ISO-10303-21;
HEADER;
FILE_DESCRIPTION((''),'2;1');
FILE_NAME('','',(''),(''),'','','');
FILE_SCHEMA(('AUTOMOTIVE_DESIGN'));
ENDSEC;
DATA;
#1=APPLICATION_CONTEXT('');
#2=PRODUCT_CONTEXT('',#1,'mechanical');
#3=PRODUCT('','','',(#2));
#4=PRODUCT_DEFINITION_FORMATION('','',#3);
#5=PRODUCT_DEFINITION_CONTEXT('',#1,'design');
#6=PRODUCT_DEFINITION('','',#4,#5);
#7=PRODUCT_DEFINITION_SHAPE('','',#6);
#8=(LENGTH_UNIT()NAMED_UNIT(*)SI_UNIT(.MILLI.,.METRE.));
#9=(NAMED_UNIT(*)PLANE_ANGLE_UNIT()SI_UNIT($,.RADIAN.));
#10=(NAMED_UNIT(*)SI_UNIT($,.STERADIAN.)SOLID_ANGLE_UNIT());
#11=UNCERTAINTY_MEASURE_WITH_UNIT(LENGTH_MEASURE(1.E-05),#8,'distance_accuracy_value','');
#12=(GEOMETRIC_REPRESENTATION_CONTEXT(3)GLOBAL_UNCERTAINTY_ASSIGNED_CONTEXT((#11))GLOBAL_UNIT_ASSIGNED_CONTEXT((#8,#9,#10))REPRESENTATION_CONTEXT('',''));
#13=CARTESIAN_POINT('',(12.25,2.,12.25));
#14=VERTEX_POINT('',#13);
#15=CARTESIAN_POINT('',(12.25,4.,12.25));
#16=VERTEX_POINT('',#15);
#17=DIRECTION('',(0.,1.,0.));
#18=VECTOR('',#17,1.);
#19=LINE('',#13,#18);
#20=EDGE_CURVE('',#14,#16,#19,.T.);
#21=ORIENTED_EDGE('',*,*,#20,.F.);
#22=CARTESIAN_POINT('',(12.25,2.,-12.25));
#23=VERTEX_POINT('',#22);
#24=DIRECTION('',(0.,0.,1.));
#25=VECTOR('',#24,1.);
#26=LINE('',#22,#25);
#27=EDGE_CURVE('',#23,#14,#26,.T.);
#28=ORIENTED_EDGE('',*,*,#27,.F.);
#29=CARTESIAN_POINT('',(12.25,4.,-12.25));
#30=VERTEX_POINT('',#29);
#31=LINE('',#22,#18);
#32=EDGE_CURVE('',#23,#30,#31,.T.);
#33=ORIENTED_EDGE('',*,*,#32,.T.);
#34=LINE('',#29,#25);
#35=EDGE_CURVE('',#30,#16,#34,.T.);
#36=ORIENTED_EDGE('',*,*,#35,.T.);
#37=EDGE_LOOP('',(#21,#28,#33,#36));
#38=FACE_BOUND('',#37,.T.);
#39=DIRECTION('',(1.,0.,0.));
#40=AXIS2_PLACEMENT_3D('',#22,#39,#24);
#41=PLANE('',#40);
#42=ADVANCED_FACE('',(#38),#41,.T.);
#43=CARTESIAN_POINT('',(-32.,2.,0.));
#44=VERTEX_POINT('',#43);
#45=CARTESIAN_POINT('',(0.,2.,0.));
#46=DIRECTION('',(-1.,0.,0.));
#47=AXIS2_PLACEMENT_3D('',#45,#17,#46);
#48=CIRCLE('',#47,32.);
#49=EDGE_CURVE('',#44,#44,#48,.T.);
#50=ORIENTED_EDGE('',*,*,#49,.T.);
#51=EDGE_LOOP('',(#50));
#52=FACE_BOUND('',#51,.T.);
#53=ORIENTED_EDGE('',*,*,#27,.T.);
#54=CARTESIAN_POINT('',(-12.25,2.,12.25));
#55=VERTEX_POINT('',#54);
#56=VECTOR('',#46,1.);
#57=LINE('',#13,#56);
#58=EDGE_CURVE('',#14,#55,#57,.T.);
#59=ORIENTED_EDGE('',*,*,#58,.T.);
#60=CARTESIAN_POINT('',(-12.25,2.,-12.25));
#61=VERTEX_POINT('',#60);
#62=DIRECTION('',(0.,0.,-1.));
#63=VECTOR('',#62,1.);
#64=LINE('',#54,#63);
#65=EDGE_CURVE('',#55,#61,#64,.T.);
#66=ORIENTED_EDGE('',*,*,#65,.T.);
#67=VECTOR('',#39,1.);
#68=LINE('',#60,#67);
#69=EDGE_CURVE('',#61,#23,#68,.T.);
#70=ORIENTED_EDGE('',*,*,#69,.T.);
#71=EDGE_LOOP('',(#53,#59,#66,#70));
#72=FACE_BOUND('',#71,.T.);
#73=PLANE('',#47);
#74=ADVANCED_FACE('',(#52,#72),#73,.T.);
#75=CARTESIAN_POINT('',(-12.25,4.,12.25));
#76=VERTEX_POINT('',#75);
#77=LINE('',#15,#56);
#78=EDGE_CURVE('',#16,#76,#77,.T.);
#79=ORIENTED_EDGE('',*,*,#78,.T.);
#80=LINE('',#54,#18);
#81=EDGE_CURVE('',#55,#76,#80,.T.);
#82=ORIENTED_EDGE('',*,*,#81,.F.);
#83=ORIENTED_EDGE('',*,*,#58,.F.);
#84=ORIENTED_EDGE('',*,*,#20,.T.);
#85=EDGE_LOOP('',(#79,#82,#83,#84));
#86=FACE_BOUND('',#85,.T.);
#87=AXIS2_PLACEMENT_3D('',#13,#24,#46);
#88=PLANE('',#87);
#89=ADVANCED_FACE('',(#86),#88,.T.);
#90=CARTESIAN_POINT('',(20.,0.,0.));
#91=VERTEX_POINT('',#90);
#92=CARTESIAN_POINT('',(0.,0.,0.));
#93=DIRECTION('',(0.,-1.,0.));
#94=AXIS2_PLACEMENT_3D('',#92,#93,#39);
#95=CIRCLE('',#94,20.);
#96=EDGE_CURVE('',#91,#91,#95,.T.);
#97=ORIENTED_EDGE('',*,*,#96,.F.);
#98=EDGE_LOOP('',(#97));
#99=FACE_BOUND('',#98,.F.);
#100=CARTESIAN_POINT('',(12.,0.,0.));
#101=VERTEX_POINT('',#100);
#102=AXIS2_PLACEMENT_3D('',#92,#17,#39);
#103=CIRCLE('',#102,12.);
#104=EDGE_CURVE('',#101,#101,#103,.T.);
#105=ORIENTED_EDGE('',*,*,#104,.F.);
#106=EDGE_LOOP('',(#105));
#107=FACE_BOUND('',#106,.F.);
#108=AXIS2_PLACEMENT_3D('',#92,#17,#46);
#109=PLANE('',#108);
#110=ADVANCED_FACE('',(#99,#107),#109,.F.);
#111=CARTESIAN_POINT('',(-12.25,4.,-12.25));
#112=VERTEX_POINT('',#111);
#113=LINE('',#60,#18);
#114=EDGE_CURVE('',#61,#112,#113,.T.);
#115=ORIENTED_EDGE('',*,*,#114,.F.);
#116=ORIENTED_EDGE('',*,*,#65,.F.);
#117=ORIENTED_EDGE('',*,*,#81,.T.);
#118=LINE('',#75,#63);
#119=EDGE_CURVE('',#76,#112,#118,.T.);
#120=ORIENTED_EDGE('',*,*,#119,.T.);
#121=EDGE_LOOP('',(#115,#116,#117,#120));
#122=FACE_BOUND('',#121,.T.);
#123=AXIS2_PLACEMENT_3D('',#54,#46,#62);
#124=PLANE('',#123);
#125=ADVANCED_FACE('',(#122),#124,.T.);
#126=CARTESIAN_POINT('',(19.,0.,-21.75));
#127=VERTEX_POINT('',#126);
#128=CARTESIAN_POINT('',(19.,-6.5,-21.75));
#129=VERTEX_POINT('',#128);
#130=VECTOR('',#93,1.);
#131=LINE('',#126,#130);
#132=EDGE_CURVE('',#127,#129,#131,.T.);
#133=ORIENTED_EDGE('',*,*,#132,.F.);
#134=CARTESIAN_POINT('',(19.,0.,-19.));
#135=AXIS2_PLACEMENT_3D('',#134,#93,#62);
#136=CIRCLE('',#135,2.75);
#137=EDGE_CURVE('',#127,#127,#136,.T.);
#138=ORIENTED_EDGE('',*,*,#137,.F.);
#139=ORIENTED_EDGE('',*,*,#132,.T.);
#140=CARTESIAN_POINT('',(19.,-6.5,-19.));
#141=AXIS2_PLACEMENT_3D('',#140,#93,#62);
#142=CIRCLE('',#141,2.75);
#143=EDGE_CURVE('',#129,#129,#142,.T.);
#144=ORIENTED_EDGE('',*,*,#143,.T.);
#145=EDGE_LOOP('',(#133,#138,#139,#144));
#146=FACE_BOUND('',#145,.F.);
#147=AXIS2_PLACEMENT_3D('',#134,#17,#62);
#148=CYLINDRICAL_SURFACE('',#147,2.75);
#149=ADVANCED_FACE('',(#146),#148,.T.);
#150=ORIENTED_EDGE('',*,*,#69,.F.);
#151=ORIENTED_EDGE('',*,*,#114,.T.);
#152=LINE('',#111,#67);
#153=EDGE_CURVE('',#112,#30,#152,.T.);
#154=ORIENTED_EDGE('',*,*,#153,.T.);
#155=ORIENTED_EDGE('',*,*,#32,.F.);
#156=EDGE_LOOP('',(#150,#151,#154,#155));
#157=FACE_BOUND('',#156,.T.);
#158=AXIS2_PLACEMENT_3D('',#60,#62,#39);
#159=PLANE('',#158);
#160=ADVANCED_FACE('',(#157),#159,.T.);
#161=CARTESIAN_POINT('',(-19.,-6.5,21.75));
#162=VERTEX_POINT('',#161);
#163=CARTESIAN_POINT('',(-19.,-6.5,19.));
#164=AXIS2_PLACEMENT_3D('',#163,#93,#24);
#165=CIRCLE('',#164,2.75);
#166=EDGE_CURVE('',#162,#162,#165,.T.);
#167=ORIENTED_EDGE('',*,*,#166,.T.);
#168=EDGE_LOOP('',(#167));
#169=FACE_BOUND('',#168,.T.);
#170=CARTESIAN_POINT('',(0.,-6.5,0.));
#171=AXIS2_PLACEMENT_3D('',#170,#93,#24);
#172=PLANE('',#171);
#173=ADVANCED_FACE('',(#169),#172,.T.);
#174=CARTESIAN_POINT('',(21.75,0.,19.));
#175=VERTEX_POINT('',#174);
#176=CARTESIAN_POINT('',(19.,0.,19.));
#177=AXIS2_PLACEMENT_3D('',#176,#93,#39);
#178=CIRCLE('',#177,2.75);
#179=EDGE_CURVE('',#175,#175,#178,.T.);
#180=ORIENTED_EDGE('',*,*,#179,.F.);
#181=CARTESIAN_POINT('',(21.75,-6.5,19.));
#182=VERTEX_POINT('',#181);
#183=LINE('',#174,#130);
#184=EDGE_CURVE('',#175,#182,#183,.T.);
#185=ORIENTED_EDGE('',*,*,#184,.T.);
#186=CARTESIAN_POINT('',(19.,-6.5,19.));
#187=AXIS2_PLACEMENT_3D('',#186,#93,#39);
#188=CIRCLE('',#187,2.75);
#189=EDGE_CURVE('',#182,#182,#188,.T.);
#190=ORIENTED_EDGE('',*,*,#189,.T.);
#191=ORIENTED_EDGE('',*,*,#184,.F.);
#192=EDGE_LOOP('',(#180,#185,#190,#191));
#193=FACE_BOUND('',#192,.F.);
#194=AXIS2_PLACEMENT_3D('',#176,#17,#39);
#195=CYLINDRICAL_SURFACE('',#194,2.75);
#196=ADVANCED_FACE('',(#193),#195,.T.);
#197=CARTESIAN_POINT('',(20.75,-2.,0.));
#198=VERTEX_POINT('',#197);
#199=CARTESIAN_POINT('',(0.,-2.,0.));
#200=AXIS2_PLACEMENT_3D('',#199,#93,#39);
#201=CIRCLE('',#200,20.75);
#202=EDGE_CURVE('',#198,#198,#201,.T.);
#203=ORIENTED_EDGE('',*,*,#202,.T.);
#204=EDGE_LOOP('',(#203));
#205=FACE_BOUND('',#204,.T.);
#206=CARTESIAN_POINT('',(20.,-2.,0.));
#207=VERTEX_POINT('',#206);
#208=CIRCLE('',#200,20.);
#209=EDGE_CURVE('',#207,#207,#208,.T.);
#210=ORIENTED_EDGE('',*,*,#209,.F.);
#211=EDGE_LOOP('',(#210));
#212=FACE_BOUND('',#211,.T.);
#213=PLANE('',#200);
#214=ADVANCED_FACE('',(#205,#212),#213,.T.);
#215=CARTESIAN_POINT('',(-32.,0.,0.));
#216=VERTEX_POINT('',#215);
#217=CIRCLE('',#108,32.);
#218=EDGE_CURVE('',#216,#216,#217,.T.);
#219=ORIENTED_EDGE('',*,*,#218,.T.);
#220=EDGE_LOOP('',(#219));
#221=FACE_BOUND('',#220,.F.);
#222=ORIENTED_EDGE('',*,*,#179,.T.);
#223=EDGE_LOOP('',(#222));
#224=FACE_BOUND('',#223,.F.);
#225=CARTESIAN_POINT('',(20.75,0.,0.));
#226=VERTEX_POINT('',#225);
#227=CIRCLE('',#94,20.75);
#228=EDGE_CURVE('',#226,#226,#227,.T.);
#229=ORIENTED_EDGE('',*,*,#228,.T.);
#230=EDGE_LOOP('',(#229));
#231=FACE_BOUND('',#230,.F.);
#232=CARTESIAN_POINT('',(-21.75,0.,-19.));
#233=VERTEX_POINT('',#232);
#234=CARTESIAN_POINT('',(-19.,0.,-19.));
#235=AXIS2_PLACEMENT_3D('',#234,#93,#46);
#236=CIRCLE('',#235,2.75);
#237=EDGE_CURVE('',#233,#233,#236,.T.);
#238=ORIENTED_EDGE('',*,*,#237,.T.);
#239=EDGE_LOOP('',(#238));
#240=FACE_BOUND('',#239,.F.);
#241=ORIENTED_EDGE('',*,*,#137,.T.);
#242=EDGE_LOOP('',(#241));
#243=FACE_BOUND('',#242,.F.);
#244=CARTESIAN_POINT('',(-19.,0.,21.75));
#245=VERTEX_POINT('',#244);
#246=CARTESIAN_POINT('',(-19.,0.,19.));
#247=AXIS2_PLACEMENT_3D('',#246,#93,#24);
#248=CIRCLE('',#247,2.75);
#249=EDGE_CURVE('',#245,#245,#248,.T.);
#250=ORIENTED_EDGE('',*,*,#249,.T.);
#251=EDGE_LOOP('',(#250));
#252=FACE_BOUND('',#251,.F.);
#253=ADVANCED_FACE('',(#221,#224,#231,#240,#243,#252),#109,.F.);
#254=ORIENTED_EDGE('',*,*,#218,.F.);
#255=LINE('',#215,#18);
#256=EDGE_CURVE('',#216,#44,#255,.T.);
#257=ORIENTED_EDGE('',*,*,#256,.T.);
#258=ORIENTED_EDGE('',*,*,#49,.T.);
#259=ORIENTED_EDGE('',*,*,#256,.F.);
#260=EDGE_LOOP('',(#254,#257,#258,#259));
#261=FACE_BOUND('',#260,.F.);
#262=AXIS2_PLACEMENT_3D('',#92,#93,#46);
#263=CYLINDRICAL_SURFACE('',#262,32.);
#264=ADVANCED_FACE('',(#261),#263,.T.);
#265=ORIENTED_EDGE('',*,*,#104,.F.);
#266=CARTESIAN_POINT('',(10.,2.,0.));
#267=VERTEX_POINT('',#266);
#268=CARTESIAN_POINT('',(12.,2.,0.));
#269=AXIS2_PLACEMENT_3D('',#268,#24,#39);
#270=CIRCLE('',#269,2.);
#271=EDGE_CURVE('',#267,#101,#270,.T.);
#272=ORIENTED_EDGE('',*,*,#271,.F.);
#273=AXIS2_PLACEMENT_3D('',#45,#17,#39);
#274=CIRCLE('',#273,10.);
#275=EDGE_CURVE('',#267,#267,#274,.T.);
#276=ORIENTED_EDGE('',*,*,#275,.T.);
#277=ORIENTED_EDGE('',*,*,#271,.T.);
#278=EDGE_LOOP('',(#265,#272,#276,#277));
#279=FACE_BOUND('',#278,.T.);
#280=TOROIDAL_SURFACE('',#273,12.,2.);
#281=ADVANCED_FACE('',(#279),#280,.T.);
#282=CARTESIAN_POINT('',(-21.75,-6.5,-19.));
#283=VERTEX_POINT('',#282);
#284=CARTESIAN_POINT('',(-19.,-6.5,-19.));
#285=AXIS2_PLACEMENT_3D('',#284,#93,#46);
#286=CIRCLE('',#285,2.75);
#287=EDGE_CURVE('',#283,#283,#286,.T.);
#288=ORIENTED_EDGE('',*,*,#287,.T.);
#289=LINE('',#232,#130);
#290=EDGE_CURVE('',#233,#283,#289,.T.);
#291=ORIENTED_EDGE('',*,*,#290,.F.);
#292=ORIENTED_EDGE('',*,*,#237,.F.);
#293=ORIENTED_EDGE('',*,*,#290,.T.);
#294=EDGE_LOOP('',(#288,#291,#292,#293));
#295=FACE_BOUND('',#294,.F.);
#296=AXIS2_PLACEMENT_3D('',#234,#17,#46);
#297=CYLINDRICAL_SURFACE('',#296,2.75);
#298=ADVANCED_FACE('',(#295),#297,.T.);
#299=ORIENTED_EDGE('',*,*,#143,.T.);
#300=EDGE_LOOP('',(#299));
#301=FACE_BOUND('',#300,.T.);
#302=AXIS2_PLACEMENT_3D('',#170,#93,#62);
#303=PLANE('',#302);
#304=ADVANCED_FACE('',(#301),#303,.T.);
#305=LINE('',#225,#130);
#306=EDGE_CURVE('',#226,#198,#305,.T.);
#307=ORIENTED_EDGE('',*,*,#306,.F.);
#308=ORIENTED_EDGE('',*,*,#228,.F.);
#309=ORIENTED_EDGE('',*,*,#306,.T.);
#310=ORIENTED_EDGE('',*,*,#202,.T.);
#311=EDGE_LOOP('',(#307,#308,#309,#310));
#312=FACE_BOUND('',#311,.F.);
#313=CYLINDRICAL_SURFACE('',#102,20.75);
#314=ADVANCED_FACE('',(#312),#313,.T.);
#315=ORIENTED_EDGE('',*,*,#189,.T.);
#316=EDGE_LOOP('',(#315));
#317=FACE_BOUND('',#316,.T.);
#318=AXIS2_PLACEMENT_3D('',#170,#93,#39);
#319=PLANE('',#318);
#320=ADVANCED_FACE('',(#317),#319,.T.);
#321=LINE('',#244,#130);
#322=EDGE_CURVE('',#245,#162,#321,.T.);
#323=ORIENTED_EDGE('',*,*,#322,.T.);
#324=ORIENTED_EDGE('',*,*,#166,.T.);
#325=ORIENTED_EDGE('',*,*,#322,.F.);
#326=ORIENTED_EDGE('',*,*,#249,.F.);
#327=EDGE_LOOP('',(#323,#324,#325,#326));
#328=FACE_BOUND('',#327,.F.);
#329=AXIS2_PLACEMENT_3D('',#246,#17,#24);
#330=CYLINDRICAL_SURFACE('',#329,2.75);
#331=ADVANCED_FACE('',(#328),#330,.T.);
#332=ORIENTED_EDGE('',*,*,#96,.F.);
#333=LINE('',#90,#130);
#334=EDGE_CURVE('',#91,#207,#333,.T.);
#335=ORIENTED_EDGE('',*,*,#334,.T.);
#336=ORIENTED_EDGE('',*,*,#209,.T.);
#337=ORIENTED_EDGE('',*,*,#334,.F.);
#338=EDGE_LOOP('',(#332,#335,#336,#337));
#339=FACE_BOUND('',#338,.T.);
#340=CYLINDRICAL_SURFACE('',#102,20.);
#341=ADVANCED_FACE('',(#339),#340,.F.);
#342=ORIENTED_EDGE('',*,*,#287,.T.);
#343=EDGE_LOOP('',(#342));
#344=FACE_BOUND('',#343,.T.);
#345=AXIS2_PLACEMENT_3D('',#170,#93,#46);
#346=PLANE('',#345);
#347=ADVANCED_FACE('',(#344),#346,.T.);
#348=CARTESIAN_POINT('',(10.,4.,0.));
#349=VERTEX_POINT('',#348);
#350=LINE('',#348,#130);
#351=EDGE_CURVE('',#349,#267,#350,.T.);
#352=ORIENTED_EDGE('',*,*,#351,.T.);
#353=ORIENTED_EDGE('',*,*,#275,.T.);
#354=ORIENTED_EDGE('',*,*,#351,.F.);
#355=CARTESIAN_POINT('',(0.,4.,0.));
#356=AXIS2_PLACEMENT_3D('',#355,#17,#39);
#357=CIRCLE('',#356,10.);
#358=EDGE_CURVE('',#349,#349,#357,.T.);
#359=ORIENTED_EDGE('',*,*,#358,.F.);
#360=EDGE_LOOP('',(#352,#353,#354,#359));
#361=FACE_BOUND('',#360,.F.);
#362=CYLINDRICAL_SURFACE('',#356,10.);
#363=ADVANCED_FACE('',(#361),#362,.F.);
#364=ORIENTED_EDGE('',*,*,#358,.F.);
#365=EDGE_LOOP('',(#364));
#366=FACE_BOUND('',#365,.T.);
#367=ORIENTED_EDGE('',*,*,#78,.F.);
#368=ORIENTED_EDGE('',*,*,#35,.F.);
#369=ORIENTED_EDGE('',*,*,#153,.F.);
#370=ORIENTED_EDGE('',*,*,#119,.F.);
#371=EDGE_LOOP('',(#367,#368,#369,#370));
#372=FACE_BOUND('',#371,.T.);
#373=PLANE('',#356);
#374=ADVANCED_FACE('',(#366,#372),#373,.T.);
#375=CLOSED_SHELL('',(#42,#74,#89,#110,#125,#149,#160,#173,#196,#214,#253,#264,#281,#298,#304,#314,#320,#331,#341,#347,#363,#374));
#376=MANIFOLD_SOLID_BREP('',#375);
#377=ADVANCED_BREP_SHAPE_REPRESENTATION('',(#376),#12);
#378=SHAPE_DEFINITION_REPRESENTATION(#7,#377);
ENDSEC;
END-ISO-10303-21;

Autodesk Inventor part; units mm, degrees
ref_plane "YZ Plane" through (0, 0, 0) normal (1, 0, 0) x (0, 1, 0)
ref_plane "XZ Plane" through (0, 0, 0) normal (0, 1, 0) x (-1, 0, 0)
ref_plane "XY Plane" through (0, 0, 0) normal (0, 0, 1) x (1, 0, 0)
sketch "Sketch1" plane through (0, 0, 0) normal (0, 1, 0) x (-1, 0, 0)
  circle A0 centre (0, 0) radius 32
  dimension "d0" = 64
extrude "Extrusion1" add sketch "Sketch1" along normal blind 2
sketch "Sketch2" plane through (0, 0, 0) normal (0, -1, 0) x (1, 0, 0)
  circle A0 centre (0, 0) radius 20.75
  circle A1 centre (0, 0) radius 20
  dimension "d3" = 41.5
  dimension "d4" = 40
extrude "Extrusion2" add sketch "Sketch2" along normal blind 2
sketch "Sketch4" plane through (0, 0, 0) normal (0, -1, 0) x (1, 0, 0)
  circle A0 centre (19, 19) radius 2.75
  point P0 (0, 0)
  dimension "d9" = 5.5
  dimension "d10" = 19
  dimension "d11" = 19
extrude "Extrusion4" add sketch "Sketch4" along normal blind 6.5
pattern_circular "Circular Pattern1" count 4 over 360 about axis through (0, -10, 0) along (0, 1, 0) of "Extrusion4"
sketch "Sketch5" plane through (0, 2, 0) normal (0, 1, 0) x (1, 0, 0)
  line L0 (-12.25, 12.25) -> (12.25, 12.25)
  line L1 (12.25, 12.25) -> (12.25, -12.25)
  line L2 (12.25, -12.25) -> (-12.25, -12.25)
  line L3 (-12.25, -12.25) -> (-12.25, 12.25)
  line L4 (-12.25, 12.25) -> (12.25, -12.25) construction
  line L5 (12.25, 12.25) -> (-12.25, -12.25) construction
  point P0 (0, 0)
  dimension "d17" = 24.5
  dimension "d18" = 24.5
extrude "Extrusion5" add sketch "Sketch5" along normal blind 2
sketch "Sketch6" plane through (0, 4, 0) normal (0, 1, 0) x (1, 0, 0)
  line L0 (12.25, 12.25) -> (-12.25, 12.25) projected
  line L1 (-12.25, 12.25) -> (-12.25, -12.25) projected
  line L2 (-12.25, -12.25) -> (12.25, -12.25) projected
  line L3 (12.25, -12.25) -> (12.25, 12.25) projected
  circle A0 centre (0, 0) radius 10
  dimension "d21" = 20
extrude "Extrusion6" cut sketch "Sketch6" against normal through all contours A0
fillet "Fillet1" radius 2 1 edges at (-10, 0, 0)
properties part number "pot_base_adapter2"
